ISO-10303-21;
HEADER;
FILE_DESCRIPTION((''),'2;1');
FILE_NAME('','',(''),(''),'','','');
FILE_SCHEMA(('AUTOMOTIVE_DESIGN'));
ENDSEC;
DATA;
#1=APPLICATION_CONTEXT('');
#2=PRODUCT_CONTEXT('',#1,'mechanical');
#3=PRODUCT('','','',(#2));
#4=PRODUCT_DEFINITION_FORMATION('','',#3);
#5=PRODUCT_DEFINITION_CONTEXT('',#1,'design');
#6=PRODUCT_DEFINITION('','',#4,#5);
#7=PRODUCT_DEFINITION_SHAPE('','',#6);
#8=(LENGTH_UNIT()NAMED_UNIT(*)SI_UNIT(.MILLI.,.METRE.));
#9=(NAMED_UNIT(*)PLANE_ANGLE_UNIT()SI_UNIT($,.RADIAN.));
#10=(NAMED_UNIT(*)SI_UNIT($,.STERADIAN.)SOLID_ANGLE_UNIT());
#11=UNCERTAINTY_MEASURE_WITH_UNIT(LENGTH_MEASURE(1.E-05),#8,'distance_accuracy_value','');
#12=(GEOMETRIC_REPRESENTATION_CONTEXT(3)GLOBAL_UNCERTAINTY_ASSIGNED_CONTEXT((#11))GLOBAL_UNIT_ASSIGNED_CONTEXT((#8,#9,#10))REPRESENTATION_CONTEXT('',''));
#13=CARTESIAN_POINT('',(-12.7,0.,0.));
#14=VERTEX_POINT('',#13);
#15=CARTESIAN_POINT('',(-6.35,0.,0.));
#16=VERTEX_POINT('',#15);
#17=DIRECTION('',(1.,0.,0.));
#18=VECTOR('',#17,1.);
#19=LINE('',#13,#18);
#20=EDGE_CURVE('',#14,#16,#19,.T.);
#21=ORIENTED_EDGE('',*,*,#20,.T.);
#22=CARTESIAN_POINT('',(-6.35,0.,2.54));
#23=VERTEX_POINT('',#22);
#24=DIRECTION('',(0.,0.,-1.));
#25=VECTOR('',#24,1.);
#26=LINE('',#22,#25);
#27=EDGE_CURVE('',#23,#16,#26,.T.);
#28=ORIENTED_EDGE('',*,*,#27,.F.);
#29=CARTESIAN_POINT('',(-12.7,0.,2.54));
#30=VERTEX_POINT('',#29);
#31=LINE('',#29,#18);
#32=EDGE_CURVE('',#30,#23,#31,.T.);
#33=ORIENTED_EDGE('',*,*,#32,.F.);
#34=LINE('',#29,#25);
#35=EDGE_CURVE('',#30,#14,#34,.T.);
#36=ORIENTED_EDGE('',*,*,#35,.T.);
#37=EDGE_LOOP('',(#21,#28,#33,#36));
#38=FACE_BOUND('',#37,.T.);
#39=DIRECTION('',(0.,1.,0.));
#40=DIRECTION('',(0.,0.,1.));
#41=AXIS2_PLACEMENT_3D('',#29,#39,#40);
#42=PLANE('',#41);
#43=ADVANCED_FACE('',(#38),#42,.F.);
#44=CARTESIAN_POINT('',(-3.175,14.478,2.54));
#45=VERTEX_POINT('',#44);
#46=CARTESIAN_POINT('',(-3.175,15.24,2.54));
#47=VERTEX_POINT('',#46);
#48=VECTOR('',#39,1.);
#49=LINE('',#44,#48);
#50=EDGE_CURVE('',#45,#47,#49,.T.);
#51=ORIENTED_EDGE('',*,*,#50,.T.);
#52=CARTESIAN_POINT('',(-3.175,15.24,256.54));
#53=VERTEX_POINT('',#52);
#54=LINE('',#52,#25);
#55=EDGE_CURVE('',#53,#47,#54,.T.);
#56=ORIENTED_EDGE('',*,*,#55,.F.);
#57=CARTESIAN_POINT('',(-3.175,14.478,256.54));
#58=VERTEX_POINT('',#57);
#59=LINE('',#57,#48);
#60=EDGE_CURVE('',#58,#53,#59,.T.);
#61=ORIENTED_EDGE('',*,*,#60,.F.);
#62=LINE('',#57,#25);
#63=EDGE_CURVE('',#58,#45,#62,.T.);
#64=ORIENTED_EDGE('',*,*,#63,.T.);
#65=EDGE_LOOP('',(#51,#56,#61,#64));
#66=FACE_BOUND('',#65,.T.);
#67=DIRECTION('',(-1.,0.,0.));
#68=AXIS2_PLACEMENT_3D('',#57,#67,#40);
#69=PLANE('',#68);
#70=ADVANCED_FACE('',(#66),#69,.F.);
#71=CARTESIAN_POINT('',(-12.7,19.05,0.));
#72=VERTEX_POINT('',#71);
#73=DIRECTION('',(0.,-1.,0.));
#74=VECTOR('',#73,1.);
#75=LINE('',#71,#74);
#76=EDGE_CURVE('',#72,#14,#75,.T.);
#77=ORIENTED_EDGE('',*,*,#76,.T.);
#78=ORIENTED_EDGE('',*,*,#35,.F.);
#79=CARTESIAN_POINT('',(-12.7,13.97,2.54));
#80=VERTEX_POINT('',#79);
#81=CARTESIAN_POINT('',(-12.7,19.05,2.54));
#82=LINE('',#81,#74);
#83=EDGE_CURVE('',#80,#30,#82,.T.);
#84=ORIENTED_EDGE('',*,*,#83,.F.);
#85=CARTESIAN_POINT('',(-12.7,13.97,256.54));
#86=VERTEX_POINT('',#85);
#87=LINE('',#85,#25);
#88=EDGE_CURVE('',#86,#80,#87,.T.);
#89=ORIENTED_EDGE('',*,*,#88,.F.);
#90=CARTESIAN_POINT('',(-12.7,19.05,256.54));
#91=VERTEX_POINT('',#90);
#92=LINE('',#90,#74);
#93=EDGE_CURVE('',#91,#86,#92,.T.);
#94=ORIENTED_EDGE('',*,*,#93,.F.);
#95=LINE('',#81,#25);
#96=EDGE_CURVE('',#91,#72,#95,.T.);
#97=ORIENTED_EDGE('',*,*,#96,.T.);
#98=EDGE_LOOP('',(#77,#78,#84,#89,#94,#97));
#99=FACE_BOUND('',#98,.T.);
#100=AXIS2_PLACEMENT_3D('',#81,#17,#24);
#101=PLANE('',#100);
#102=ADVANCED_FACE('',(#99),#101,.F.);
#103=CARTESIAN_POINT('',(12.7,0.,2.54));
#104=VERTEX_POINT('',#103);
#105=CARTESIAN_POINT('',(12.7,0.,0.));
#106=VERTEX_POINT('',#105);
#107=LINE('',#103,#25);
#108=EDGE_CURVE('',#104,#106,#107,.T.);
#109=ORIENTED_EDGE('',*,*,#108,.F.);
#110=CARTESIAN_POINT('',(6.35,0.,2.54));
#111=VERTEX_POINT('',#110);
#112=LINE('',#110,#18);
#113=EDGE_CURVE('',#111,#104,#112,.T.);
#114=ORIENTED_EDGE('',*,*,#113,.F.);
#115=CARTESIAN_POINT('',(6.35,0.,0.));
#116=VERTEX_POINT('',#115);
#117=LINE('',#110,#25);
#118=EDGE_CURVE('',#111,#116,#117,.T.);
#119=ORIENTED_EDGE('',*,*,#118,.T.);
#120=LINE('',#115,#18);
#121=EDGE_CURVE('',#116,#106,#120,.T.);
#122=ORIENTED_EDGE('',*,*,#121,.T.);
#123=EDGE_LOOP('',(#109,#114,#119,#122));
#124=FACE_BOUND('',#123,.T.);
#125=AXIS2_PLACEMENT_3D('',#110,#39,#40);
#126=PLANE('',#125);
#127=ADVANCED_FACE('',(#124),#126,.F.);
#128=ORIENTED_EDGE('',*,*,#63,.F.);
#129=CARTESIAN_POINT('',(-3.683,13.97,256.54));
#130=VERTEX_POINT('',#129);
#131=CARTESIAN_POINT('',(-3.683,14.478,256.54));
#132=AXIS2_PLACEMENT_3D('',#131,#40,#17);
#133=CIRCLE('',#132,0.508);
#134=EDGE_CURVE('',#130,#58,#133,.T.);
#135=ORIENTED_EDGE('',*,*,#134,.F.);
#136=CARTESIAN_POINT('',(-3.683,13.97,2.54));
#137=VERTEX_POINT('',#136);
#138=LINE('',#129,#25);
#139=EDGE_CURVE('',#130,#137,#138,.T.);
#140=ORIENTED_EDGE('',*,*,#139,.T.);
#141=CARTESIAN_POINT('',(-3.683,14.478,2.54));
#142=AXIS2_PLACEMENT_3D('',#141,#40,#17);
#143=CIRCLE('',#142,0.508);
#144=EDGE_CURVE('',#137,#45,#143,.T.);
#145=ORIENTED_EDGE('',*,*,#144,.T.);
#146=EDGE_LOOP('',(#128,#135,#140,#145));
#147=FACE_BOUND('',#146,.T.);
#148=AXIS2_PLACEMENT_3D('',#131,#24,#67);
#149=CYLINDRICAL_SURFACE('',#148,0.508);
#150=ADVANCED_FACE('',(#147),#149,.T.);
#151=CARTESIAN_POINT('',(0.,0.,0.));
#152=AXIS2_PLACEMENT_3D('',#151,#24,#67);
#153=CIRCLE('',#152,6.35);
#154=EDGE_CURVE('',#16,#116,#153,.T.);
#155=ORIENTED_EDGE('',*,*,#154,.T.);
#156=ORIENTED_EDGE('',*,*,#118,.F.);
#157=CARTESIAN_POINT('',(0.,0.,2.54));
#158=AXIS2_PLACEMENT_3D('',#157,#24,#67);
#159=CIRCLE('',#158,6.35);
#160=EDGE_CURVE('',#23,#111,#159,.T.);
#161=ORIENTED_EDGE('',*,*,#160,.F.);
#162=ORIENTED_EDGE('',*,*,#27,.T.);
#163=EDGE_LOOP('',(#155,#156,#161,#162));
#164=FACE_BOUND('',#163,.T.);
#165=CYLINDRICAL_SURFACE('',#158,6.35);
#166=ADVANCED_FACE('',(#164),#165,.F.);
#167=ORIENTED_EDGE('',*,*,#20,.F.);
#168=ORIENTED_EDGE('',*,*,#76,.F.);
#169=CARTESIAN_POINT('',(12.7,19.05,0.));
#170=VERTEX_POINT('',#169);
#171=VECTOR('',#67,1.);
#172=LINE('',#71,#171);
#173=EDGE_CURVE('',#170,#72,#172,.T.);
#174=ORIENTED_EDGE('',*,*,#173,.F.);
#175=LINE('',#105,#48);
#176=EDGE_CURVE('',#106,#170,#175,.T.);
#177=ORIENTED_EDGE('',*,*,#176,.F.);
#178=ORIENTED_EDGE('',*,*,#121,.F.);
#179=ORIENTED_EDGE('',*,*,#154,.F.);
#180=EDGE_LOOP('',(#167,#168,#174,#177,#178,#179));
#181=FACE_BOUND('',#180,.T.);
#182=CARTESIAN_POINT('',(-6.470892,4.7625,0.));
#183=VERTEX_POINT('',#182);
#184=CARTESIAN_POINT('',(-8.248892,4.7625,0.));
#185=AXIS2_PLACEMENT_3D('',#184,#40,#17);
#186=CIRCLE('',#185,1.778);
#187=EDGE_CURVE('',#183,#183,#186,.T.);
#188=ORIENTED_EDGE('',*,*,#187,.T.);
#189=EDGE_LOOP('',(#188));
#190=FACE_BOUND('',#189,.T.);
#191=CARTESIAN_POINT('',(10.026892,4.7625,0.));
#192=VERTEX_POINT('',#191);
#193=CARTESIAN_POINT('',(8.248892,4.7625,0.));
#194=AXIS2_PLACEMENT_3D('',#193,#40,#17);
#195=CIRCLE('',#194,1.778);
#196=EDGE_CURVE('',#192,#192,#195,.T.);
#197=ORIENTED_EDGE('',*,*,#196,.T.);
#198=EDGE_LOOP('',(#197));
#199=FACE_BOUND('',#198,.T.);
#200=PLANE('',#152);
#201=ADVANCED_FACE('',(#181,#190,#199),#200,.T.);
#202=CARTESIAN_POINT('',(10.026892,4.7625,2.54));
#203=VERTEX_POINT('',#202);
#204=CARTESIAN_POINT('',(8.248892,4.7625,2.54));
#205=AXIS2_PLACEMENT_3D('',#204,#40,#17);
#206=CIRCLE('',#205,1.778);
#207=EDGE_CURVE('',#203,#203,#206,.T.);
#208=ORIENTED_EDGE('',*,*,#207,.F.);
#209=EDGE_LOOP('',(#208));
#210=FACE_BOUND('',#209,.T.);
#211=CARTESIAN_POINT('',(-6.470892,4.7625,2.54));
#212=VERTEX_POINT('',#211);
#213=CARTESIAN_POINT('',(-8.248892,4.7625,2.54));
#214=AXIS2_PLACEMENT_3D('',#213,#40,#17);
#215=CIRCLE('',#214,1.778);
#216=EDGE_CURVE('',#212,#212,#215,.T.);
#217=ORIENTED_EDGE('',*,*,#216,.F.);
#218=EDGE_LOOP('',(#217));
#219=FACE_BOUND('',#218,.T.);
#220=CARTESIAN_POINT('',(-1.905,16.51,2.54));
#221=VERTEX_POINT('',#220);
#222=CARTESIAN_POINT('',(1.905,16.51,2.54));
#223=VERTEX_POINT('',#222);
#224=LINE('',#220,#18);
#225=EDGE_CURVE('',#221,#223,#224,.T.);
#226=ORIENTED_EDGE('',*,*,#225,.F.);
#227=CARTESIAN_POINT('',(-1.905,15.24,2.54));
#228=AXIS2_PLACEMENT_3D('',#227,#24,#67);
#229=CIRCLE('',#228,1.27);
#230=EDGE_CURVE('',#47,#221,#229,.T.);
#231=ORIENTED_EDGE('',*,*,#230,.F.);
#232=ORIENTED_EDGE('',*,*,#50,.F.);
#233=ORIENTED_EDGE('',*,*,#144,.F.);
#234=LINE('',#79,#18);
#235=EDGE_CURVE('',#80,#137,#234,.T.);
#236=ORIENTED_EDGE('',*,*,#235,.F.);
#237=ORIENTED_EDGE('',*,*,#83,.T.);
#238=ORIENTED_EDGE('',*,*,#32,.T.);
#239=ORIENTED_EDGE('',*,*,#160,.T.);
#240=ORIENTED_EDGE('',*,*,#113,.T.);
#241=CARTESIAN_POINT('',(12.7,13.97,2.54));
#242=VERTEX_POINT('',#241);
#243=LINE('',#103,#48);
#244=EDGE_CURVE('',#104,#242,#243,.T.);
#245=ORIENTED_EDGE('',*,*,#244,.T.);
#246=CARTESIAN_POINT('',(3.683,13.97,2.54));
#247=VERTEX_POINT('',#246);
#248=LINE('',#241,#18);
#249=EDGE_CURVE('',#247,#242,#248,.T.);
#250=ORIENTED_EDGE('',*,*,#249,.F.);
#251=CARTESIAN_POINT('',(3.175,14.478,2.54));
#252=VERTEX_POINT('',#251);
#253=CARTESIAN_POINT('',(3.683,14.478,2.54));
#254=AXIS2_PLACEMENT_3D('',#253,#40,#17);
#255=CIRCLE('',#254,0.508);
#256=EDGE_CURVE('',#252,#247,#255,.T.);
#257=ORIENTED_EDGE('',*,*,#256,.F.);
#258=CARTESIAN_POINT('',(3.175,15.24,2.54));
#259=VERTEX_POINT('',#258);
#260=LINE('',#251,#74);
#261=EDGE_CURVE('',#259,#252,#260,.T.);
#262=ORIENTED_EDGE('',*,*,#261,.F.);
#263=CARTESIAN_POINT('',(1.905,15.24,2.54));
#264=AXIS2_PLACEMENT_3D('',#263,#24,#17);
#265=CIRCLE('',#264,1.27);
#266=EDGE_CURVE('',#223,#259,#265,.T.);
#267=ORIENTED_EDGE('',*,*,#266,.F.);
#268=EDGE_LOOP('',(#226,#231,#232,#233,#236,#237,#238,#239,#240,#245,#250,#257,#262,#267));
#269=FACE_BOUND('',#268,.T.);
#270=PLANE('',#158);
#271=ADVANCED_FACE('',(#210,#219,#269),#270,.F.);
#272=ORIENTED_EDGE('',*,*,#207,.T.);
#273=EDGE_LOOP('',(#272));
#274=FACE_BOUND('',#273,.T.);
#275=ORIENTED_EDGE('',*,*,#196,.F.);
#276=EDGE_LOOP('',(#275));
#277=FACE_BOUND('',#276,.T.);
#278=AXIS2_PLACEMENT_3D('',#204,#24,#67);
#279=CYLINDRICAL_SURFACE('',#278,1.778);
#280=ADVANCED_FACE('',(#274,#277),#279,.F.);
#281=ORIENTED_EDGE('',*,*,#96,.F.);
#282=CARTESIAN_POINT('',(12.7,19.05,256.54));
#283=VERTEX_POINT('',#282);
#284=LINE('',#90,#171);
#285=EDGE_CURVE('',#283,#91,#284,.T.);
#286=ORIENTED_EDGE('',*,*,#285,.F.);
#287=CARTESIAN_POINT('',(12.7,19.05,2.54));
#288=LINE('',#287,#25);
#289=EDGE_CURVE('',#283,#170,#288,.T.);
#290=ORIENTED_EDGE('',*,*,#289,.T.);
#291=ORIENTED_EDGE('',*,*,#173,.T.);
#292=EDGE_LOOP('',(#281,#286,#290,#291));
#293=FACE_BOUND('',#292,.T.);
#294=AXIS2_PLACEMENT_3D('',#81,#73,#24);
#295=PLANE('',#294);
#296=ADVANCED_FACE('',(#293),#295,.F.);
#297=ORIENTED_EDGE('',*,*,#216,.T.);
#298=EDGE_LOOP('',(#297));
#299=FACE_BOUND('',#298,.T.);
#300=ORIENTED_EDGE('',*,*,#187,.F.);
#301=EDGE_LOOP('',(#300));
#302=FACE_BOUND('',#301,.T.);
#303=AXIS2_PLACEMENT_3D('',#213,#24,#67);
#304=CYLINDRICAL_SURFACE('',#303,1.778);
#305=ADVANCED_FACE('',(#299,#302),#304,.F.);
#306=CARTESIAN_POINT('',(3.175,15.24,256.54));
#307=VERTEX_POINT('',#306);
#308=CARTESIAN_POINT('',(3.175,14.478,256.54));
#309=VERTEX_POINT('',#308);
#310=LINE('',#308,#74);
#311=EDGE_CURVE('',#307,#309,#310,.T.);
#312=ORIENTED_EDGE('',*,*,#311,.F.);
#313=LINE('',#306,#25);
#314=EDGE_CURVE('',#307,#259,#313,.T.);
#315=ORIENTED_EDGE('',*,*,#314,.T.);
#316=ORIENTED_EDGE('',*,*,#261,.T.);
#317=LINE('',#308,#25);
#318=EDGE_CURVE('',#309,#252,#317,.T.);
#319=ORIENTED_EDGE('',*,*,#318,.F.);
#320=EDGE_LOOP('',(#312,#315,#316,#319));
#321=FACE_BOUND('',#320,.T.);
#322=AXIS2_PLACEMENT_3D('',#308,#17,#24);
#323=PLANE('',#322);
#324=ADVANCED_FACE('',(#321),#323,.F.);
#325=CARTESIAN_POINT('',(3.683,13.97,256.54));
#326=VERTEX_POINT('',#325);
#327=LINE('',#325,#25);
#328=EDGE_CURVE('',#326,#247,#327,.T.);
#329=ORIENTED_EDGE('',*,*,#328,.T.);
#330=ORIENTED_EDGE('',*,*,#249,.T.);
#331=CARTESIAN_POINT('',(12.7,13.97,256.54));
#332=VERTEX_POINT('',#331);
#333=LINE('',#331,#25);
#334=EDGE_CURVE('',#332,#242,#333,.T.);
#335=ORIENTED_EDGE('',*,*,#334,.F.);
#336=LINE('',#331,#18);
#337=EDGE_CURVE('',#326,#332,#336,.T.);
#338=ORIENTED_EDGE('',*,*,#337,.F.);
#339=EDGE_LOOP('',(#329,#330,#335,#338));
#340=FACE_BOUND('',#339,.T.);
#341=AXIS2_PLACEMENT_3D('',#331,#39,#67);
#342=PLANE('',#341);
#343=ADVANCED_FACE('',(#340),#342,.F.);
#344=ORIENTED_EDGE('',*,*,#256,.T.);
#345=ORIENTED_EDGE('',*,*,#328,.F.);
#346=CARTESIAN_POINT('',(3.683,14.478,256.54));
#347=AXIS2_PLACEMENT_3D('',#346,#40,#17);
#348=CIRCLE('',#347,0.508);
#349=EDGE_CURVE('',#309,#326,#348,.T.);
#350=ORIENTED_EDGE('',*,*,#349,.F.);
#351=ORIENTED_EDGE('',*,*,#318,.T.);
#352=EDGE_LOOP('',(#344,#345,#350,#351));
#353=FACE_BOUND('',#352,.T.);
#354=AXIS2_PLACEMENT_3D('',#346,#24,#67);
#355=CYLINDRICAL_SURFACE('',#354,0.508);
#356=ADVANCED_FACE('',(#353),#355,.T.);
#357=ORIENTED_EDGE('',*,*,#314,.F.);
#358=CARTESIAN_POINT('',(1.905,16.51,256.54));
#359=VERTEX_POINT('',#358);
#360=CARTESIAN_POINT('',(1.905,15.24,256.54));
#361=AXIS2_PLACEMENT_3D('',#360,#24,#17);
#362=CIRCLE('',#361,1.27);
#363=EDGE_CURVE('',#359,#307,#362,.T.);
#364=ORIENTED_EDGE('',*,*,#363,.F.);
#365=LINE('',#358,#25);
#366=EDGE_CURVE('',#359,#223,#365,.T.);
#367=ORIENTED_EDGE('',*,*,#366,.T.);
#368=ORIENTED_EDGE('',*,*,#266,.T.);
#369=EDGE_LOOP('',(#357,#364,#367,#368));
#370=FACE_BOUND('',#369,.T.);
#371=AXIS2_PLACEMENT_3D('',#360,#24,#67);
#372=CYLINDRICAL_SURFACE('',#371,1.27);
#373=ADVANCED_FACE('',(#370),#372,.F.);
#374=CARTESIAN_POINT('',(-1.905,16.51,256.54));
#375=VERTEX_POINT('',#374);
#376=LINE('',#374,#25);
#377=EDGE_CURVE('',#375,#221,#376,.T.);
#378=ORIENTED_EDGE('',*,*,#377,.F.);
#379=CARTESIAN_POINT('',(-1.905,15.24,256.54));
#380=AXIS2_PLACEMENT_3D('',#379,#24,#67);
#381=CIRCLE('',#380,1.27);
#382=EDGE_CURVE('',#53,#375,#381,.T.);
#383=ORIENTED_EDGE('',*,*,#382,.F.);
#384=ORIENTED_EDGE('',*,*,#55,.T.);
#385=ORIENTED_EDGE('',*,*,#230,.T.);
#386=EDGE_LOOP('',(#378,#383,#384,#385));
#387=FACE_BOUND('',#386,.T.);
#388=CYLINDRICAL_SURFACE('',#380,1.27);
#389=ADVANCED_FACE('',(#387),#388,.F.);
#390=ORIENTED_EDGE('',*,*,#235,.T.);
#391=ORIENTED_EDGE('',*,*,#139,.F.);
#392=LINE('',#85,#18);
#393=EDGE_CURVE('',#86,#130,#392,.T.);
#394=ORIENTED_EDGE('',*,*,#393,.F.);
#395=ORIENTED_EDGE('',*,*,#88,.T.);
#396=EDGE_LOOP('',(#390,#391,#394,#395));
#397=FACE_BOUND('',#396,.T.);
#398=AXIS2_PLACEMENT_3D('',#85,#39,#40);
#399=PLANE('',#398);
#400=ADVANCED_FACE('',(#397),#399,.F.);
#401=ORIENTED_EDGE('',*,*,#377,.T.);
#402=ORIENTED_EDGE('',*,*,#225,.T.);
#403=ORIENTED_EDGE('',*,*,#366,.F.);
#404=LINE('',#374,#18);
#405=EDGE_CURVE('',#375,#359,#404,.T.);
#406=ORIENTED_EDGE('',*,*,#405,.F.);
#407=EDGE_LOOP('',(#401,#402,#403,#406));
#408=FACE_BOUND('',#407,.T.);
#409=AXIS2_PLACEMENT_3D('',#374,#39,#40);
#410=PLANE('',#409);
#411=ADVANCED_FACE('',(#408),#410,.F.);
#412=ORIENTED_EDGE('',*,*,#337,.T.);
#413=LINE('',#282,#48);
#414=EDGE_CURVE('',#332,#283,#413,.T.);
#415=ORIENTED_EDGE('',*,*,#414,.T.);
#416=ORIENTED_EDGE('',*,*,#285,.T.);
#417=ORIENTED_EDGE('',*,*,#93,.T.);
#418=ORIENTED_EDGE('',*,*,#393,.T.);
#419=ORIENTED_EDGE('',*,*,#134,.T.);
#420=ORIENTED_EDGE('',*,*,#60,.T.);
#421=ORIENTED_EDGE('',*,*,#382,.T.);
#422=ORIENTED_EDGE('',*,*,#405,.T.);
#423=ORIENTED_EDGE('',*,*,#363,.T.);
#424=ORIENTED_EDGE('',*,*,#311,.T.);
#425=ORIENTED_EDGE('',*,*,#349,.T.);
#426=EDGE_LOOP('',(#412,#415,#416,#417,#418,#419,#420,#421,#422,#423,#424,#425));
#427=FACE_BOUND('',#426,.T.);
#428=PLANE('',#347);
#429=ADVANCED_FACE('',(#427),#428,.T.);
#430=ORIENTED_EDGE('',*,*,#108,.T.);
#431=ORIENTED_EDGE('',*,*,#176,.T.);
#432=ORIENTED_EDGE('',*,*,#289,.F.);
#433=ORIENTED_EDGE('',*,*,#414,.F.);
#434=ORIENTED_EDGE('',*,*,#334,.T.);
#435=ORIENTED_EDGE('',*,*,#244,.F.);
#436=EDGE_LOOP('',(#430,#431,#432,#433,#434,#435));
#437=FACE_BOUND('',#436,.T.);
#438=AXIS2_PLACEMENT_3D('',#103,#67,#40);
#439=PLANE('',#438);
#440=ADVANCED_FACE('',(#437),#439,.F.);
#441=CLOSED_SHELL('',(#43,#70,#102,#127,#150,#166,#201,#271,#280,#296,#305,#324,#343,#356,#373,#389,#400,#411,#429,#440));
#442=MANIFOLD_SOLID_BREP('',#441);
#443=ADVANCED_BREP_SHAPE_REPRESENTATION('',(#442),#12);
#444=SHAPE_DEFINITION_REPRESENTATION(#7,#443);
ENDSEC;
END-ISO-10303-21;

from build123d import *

# Parameters (mm, degrees)
SKETCH2_R           = 1.778
BOSS_EXTRUDE1_DEPTH = 2.54
BOSS_EXTRUDE2_DEPTH = 254


with BuildPart() as part:
    # Sketch2 → Boss-Extrude1 (new body)
    with BuildSketch(Plane.XY):
        with BuildLine():
            Line((-12.7, 0), (-6.35, 0))
            ThreePointArc((-6.35, 0), (0, 6.35), (6.35, 0))
            Line((6.35, 0), (12.7, 0))
            Line((12.7, 0), (12.7, 19.05))
            Line((12.7, 19.05), (-12.7, 19.05))
            Line((-12.7, 19.05), (-12.7, 0))
        make_face()
        with Locations((-8.248891971, 4.7625)):
            Circle(SKETCH2_R, mode=Mode.SUBTRACT)
        with Locations((8.248891971, 4.7625)):
            Circle(SKETCH2_R, mode=Mode.SUBTRACT)
    extrude(amount=BOSS_EXTRUDE1_DEPTH)

    # Sketch3 → Boss-Extrude2 (add)
    with BuildSketch(Plane.XY.offset(2.54)):
        with BuildLine():
            Line((-12.7, 19.05), (-12.7, 13.97))
            Line((-12.7, 13.97), (-3.683, 13.97))
            ThreePointArc((-3.683, 13.97), (-3.323789755, 14.118789755), (-3.175, 14.478))
            Line((-3.175, 14.478), (-3.175, 15.24))
            ThreePointArc((-3.175, 15.24), (-2.803025612, 16.138025612), (-1.905, 16.51))
            Line((-1.905, 16.51), (1.905, 16.51))
            ThreePointArc((1.905, 16.51), (2.803025612, 16.138025612), (3.175, 15.24))
            Line((3.175, 15.24), (3.175, 14.478))
            ThreePointArc((3.175, 14.478), (3.323789755, 14.118789755), (3.683, 13.97))
            Line((3.683, 13.97), (12.7, 13.97))
            Line((12.7, 13.97), (12.7, 19.05))
            Line((12.7, 19.05), (-12.7, 19.05))
        make_face()
    extrude(amount=BOSS_EXTRUDE2_DEPTH)


solid = part.part
